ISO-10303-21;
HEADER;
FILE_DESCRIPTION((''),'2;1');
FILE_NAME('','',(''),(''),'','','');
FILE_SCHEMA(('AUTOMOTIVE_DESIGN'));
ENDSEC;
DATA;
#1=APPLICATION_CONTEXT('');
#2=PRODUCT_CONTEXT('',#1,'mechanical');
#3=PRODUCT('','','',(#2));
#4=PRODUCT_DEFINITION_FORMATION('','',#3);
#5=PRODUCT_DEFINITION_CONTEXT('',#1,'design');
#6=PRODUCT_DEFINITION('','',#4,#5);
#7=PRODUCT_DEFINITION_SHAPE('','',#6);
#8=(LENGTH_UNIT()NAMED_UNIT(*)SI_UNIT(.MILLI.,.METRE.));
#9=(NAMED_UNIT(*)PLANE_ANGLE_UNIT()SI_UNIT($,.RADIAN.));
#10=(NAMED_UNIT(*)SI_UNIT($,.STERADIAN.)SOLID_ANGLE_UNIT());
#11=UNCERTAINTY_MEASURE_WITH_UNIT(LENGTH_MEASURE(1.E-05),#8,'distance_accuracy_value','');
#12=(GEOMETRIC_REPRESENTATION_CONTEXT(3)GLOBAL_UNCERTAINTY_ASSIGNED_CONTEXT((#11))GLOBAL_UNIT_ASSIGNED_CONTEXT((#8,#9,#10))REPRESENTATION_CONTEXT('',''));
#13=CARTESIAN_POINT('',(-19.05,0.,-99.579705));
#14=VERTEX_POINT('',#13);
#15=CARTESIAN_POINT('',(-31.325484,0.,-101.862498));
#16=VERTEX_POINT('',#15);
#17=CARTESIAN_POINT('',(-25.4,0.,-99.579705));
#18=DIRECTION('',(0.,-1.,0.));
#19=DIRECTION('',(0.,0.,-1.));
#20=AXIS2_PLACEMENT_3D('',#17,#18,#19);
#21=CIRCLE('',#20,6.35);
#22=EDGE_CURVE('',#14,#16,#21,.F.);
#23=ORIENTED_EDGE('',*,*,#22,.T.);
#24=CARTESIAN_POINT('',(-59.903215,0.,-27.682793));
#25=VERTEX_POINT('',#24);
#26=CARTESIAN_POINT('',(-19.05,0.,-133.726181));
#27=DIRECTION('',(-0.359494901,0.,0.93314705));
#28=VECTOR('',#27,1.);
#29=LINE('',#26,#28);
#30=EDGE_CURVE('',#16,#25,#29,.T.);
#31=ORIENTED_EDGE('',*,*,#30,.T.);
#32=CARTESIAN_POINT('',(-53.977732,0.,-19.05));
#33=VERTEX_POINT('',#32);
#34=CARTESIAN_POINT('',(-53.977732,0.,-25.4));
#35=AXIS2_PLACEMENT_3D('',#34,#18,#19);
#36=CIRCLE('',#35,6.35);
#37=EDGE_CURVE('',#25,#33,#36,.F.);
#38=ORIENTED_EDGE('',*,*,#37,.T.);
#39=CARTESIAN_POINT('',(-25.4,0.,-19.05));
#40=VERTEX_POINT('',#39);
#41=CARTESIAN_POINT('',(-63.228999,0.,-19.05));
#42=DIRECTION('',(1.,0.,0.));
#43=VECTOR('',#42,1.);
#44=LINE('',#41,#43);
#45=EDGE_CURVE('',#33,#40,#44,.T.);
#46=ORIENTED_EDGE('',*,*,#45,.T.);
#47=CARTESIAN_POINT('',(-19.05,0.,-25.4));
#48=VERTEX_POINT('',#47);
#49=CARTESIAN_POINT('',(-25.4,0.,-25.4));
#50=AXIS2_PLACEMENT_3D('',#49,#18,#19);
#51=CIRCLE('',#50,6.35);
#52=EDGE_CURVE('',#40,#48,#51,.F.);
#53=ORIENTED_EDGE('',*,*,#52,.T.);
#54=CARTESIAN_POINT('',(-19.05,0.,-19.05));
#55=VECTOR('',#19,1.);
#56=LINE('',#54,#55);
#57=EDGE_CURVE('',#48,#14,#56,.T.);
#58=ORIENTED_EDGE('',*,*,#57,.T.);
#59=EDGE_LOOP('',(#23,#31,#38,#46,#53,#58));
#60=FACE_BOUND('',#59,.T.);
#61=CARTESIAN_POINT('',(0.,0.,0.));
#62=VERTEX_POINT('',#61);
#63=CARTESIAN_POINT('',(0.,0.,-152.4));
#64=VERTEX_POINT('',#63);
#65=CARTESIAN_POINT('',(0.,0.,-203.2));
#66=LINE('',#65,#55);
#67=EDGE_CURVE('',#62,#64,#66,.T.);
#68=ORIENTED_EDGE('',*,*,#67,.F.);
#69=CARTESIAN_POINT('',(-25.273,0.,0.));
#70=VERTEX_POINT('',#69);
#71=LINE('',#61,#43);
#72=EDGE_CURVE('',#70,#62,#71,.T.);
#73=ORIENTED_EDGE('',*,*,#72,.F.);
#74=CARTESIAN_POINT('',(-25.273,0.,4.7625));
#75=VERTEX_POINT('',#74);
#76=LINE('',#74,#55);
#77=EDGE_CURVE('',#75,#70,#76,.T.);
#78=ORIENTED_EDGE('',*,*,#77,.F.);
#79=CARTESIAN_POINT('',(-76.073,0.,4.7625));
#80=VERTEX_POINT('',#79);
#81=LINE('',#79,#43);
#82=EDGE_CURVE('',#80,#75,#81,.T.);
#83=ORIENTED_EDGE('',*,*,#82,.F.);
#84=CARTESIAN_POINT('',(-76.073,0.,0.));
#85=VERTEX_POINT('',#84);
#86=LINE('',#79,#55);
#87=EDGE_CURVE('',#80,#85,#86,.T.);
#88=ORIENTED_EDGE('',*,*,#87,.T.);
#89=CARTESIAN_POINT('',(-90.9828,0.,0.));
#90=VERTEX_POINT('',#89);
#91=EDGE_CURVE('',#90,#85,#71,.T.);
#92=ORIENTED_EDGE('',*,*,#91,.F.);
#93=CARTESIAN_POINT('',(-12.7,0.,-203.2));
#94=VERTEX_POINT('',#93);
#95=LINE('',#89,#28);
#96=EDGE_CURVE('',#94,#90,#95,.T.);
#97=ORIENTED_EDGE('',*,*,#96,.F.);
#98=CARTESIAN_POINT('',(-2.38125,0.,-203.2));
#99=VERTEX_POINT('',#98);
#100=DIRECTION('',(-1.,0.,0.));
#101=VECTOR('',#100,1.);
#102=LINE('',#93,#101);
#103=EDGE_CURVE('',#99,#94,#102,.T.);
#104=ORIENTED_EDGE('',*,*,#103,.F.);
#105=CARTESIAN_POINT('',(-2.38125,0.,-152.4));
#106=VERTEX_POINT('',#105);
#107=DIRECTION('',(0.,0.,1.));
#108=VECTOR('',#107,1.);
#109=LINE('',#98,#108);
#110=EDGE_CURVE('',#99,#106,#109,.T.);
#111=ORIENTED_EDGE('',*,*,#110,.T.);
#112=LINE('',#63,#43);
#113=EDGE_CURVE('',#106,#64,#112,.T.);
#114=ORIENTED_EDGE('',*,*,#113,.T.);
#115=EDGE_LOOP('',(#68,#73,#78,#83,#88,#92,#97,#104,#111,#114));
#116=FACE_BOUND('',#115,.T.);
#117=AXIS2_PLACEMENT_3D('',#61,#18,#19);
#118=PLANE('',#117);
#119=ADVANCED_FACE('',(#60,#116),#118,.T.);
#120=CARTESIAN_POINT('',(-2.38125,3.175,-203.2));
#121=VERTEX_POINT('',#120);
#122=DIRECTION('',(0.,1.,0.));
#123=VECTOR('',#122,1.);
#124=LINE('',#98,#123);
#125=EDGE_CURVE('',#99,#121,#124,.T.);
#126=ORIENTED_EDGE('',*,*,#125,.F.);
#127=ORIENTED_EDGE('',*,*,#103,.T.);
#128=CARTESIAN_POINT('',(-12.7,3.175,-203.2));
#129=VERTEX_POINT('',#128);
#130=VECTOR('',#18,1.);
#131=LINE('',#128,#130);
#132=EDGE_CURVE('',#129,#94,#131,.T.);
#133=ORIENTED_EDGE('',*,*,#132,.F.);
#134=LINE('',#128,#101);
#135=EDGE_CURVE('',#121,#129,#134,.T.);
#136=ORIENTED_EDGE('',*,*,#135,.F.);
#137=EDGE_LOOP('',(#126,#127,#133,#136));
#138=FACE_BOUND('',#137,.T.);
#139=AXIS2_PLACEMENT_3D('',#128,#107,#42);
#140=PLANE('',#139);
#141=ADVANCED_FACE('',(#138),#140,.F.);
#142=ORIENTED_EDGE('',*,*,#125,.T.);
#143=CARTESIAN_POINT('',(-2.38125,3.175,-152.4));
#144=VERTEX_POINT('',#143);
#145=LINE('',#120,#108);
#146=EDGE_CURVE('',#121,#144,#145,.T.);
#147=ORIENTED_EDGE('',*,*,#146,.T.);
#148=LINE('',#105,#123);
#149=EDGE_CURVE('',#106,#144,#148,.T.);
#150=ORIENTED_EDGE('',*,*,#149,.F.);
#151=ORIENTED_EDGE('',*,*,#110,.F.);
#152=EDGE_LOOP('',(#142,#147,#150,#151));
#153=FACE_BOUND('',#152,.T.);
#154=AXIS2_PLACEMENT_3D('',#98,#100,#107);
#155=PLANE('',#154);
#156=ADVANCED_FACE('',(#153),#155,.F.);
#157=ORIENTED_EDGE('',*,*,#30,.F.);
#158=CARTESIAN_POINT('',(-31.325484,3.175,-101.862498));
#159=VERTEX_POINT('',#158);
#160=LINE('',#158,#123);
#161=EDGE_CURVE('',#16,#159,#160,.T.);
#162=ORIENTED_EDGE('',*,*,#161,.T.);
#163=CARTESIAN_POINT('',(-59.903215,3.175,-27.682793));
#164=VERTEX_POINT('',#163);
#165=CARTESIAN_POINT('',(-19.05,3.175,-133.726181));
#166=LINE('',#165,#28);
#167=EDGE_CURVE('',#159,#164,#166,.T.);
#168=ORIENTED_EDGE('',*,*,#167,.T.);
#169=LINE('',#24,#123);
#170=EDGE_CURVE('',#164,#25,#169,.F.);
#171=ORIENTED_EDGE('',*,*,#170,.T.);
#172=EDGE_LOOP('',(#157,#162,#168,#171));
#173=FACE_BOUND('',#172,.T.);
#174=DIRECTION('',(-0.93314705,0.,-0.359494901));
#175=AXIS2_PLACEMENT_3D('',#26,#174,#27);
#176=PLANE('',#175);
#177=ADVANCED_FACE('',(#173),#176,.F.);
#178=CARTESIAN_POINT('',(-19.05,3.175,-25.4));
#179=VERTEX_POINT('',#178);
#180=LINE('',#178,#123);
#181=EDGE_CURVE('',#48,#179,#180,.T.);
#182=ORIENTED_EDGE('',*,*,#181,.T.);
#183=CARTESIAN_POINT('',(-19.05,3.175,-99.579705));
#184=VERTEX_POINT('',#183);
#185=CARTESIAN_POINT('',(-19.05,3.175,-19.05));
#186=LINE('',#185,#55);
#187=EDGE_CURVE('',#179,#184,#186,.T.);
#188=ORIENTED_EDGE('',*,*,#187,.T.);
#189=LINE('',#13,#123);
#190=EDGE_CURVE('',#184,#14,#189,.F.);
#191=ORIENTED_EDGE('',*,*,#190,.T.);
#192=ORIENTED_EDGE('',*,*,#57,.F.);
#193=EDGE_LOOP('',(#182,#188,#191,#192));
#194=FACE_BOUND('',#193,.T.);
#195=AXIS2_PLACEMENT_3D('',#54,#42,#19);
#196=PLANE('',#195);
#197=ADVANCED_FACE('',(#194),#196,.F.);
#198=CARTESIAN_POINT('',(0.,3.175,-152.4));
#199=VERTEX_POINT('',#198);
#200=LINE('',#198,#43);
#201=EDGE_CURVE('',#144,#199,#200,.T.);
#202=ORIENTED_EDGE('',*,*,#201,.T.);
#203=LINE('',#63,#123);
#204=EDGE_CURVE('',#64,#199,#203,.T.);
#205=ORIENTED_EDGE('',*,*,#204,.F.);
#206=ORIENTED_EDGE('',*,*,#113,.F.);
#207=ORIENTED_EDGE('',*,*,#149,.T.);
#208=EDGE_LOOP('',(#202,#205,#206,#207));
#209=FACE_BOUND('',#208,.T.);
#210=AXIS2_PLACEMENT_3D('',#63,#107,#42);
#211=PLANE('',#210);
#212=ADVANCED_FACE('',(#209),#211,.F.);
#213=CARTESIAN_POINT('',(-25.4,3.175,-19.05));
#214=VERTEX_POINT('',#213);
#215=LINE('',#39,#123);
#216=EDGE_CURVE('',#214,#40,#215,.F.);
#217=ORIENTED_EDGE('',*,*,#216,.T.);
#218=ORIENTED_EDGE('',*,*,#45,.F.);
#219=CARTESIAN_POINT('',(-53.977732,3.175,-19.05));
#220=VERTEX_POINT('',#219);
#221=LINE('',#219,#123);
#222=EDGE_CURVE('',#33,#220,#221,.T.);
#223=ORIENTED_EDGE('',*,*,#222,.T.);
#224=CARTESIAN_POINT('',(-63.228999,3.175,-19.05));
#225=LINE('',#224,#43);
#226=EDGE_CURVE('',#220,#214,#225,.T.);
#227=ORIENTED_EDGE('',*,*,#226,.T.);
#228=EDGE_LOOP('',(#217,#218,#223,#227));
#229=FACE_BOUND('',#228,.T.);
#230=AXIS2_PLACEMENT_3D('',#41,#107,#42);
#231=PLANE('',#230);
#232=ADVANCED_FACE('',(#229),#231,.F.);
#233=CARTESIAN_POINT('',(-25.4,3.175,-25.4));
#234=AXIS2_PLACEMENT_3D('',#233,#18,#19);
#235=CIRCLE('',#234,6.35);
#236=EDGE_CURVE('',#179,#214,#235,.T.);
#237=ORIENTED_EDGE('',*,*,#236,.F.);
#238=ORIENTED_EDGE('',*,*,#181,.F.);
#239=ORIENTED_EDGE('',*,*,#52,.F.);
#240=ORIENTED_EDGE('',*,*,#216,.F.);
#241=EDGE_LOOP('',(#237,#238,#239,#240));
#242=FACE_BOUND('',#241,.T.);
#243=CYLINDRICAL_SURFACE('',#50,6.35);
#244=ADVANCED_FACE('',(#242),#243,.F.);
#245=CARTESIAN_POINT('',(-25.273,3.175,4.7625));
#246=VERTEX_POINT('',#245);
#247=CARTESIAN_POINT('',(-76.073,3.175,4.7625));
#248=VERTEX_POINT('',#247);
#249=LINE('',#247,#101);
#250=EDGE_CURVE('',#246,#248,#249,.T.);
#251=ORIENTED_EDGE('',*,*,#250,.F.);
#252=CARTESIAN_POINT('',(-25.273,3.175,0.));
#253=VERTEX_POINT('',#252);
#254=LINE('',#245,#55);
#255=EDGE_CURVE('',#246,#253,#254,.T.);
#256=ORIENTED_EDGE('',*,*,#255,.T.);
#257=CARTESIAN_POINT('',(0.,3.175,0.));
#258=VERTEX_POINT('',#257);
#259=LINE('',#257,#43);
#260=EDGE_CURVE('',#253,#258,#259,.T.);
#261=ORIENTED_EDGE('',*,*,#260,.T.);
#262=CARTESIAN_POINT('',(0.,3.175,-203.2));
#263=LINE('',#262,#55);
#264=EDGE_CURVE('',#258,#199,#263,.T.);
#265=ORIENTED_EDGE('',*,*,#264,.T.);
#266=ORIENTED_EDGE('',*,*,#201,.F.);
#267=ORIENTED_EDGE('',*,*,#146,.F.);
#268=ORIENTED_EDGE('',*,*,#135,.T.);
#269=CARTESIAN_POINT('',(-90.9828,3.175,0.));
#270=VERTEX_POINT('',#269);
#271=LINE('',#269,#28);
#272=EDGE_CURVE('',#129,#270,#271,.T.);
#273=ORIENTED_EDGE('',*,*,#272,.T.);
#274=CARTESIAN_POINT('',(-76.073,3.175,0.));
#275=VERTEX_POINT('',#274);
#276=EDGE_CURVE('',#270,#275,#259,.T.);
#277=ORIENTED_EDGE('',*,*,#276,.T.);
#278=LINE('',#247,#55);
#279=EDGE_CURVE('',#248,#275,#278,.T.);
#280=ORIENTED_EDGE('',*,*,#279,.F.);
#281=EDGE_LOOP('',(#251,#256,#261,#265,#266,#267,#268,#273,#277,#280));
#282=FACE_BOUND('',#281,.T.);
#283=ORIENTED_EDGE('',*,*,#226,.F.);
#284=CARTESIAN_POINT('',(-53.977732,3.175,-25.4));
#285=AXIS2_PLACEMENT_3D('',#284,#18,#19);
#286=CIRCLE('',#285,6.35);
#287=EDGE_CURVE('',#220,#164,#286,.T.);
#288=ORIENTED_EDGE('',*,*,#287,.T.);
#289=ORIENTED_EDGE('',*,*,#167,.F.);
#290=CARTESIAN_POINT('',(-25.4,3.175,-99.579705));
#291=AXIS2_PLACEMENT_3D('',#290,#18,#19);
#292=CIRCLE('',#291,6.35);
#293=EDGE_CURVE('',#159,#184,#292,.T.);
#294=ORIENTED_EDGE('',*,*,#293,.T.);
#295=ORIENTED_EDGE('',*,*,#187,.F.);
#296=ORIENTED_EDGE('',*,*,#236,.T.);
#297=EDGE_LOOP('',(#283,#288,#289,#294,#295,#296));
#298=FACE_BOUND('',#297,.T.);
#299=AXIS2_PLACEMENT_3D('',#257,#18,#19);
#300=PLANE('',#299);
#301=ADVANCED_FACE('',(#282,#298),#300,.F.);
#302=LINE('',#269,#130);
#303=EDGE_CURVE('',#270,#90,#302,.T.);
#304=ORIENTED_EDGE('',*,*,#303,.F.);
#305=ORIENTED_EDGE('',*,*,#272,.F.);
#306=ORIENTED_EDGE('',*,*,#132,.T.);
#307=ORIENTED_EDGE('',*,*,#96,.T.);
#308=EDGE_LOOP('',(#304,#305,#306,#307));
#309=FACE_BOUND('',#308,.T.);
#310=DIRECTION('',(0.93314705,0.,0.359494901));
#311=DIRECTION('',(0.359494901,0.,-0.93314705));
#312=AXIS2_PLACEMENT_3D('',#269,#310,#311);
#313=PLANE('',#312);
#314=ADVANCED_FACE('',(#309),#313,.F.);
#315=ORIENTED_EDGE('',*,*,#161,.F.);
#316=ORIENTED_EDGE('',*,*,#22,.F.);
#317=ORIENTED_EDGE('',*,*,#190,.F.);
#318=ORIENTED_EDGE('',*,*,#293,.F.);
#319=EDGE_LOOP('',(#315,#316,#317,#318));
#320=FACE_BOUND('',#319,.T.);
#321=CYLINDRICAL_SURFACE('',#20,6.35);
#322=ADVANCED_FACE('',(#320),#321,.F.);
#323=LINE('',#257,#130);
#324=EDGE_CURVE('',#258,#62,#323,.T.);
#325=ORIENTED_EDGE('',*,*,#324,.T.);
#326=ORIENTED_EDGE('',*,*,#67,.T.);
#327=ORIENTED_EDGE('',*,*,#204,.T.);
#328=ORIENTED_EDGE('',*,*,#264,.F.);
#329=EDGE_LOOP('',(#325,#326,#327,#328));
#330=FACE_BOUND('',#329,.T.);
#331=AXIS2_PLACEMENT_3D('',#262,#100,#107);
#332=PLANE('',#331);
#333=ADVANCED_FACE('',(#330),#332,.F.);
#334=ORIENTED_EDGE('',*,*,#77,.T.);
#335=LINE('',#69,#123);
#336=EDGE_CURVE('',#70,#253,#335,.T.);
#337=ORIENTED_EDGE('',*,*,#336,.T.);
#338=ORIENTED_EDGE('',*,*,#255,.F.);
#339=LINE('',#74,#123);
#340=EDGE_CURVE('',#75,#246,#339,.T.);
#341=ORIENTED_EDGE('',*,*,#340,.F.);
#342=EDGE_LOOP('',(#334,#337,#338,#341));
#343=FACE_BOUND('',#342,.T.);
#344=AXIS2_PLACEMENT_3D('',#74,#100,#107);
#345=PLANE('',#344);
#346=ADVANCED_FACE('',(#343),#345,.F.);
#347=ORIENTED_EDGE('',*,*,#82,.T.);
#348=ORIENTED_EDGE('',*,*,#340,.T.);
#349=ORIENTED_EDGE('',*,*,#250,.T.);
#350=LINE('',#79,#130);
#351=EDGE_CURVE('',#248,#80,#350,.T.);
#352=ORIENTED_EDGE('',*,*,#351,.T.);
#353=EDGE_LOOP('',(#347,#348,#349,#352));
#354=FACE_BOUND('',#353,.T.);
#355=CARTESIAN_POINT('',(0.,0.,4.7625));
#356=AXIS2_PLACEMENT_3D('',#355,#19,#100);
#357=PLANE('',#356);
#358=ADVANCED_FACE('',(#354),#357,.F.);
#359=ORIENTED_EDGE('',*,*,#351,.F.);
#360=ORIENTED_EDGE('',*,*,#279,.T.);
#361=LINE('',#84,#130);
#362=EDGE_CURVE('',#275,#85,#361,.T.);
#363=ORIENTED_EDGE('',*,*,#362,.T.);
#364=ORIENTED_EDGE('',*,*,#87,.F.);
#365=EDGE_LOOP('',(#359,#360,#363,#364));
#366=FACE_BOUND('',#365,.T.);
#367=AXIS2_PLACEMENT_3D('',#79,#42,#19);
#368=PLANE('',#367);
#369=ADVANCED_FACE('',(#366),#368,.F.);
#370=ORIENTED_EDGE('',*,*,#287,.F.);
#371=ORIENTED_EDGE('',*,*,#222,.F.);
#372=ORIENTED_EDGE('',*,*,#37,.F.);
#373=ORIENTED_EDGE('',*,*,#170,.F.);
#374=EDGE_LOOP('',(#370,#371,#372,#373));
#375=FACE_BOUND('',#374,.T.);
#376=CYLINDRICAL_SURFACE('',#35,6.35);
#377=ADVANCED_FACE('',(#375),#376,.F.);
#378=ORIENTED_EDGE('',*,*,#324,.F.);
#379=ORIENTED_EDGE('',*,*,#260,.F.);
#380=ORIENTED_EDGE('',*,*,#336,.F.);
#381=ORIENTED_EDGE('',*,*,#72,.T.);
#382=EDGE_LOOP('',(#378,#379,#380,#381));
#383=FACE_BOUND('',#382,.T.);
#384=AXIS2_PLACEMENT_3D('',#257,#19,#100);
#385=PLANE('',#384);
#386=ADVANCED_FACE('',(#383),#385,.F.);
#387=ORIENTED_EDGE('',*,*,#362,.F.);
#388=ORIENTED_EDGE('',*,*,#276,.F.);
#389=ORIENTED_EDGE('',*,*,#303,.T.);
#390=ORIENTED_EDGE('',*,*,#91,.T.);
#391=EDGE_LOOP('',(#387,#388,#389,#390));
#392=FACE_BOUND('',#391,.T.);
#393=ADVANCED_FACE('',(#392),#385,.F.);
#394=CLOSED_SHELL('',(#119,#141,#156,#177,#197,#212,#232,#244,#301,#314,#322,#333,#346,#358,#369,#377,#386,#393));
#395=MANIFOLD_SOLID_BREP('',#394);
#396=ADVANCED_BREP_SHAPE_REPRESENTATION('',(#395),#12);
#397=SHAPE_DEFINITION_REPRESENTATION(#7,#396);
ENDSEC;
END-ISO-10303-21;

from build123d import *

# Parameters (mm, degrees)
BOSS_EXTRUDE1_DEPTH = 3.175
CUT_EXTRUDE2_DEPTH  = 3.175
FILLET2_R           = 6.35
SKETCH5_W           = 50.8
SKETCH5_H           = 3.175
BOSS_EXTRUDE2_DEPTH = 4.7625
SKETCH6_W           = 2.38125
SKETCH6_H           = 50.8
CUT_EXTRUDE3_DEPTH  = 223.661605403


with BuildPart() as part:
    # Sketch2 → Boss-Extrude1 (new body)
    with BuildSketch(Plane(origin=(0, 0, 0), x_dir=(1, 0, 0), z_dir=(0, 1, 0))):
        Polygon((0, 0), (-90.9828, 0), (-12.7, 203.2), (0, 203.2), align=None)
    extrude(amount=BOSS_EXTRUDE1_DEPTH)

    # Sketch3 → Cut-Extrude2 (cut)
    with BuildSketch(Plane(origin=(0, 3.175, 0), x_dir=(1, 0, 0), z_dir=(0, 1, 0))):
        Polygon((-19.05, 19.05), (-19.05, 133.726180748), (-63.228998633, 19.05), align=None)
    extrude(amount=-CUT_EXTRUDE2_DEPTH, mode=Mode.SUBTRACT)

    # Fillet2
    fillet2_edges = [part.edges().sort_by_distance(p)[0] for p in [
        (-19.05, 1.5875, -19.05),
        (-63.228998633, 1.5875, -19.05),
        (-19.05, 1.5875, -133.726180748),
    ]]
    fillet(fillet2_edges, radius=FILLET2_R)

    # Sketch5 → Boss-Extrude2 (add)
    with BuildSketch(Plane.XY):
        with Locations((-50.673, 1.5875)):
            Rectangle(SKETCH5_W, SKETCH5_H)
    extrude(amount=BOSS_EXTRUDE2_DEPTH)

    # Sketch6 → Cut-Extrude3 (cut, through all)
    with BuildSketch(Plane(origin=(0, 3.175, 0), x_dir=(1, 0, 0), z_dir=(0, 1, 0))):
        with Locations((-1.190625, 177.8)):
            Rectangle(SKETCH6_W, SKETCH6_H)
    extrude(amount=-CUT_EXTRUDE3_DEPTH, mode=Mode.SUBTRACT)


solid = part.part
